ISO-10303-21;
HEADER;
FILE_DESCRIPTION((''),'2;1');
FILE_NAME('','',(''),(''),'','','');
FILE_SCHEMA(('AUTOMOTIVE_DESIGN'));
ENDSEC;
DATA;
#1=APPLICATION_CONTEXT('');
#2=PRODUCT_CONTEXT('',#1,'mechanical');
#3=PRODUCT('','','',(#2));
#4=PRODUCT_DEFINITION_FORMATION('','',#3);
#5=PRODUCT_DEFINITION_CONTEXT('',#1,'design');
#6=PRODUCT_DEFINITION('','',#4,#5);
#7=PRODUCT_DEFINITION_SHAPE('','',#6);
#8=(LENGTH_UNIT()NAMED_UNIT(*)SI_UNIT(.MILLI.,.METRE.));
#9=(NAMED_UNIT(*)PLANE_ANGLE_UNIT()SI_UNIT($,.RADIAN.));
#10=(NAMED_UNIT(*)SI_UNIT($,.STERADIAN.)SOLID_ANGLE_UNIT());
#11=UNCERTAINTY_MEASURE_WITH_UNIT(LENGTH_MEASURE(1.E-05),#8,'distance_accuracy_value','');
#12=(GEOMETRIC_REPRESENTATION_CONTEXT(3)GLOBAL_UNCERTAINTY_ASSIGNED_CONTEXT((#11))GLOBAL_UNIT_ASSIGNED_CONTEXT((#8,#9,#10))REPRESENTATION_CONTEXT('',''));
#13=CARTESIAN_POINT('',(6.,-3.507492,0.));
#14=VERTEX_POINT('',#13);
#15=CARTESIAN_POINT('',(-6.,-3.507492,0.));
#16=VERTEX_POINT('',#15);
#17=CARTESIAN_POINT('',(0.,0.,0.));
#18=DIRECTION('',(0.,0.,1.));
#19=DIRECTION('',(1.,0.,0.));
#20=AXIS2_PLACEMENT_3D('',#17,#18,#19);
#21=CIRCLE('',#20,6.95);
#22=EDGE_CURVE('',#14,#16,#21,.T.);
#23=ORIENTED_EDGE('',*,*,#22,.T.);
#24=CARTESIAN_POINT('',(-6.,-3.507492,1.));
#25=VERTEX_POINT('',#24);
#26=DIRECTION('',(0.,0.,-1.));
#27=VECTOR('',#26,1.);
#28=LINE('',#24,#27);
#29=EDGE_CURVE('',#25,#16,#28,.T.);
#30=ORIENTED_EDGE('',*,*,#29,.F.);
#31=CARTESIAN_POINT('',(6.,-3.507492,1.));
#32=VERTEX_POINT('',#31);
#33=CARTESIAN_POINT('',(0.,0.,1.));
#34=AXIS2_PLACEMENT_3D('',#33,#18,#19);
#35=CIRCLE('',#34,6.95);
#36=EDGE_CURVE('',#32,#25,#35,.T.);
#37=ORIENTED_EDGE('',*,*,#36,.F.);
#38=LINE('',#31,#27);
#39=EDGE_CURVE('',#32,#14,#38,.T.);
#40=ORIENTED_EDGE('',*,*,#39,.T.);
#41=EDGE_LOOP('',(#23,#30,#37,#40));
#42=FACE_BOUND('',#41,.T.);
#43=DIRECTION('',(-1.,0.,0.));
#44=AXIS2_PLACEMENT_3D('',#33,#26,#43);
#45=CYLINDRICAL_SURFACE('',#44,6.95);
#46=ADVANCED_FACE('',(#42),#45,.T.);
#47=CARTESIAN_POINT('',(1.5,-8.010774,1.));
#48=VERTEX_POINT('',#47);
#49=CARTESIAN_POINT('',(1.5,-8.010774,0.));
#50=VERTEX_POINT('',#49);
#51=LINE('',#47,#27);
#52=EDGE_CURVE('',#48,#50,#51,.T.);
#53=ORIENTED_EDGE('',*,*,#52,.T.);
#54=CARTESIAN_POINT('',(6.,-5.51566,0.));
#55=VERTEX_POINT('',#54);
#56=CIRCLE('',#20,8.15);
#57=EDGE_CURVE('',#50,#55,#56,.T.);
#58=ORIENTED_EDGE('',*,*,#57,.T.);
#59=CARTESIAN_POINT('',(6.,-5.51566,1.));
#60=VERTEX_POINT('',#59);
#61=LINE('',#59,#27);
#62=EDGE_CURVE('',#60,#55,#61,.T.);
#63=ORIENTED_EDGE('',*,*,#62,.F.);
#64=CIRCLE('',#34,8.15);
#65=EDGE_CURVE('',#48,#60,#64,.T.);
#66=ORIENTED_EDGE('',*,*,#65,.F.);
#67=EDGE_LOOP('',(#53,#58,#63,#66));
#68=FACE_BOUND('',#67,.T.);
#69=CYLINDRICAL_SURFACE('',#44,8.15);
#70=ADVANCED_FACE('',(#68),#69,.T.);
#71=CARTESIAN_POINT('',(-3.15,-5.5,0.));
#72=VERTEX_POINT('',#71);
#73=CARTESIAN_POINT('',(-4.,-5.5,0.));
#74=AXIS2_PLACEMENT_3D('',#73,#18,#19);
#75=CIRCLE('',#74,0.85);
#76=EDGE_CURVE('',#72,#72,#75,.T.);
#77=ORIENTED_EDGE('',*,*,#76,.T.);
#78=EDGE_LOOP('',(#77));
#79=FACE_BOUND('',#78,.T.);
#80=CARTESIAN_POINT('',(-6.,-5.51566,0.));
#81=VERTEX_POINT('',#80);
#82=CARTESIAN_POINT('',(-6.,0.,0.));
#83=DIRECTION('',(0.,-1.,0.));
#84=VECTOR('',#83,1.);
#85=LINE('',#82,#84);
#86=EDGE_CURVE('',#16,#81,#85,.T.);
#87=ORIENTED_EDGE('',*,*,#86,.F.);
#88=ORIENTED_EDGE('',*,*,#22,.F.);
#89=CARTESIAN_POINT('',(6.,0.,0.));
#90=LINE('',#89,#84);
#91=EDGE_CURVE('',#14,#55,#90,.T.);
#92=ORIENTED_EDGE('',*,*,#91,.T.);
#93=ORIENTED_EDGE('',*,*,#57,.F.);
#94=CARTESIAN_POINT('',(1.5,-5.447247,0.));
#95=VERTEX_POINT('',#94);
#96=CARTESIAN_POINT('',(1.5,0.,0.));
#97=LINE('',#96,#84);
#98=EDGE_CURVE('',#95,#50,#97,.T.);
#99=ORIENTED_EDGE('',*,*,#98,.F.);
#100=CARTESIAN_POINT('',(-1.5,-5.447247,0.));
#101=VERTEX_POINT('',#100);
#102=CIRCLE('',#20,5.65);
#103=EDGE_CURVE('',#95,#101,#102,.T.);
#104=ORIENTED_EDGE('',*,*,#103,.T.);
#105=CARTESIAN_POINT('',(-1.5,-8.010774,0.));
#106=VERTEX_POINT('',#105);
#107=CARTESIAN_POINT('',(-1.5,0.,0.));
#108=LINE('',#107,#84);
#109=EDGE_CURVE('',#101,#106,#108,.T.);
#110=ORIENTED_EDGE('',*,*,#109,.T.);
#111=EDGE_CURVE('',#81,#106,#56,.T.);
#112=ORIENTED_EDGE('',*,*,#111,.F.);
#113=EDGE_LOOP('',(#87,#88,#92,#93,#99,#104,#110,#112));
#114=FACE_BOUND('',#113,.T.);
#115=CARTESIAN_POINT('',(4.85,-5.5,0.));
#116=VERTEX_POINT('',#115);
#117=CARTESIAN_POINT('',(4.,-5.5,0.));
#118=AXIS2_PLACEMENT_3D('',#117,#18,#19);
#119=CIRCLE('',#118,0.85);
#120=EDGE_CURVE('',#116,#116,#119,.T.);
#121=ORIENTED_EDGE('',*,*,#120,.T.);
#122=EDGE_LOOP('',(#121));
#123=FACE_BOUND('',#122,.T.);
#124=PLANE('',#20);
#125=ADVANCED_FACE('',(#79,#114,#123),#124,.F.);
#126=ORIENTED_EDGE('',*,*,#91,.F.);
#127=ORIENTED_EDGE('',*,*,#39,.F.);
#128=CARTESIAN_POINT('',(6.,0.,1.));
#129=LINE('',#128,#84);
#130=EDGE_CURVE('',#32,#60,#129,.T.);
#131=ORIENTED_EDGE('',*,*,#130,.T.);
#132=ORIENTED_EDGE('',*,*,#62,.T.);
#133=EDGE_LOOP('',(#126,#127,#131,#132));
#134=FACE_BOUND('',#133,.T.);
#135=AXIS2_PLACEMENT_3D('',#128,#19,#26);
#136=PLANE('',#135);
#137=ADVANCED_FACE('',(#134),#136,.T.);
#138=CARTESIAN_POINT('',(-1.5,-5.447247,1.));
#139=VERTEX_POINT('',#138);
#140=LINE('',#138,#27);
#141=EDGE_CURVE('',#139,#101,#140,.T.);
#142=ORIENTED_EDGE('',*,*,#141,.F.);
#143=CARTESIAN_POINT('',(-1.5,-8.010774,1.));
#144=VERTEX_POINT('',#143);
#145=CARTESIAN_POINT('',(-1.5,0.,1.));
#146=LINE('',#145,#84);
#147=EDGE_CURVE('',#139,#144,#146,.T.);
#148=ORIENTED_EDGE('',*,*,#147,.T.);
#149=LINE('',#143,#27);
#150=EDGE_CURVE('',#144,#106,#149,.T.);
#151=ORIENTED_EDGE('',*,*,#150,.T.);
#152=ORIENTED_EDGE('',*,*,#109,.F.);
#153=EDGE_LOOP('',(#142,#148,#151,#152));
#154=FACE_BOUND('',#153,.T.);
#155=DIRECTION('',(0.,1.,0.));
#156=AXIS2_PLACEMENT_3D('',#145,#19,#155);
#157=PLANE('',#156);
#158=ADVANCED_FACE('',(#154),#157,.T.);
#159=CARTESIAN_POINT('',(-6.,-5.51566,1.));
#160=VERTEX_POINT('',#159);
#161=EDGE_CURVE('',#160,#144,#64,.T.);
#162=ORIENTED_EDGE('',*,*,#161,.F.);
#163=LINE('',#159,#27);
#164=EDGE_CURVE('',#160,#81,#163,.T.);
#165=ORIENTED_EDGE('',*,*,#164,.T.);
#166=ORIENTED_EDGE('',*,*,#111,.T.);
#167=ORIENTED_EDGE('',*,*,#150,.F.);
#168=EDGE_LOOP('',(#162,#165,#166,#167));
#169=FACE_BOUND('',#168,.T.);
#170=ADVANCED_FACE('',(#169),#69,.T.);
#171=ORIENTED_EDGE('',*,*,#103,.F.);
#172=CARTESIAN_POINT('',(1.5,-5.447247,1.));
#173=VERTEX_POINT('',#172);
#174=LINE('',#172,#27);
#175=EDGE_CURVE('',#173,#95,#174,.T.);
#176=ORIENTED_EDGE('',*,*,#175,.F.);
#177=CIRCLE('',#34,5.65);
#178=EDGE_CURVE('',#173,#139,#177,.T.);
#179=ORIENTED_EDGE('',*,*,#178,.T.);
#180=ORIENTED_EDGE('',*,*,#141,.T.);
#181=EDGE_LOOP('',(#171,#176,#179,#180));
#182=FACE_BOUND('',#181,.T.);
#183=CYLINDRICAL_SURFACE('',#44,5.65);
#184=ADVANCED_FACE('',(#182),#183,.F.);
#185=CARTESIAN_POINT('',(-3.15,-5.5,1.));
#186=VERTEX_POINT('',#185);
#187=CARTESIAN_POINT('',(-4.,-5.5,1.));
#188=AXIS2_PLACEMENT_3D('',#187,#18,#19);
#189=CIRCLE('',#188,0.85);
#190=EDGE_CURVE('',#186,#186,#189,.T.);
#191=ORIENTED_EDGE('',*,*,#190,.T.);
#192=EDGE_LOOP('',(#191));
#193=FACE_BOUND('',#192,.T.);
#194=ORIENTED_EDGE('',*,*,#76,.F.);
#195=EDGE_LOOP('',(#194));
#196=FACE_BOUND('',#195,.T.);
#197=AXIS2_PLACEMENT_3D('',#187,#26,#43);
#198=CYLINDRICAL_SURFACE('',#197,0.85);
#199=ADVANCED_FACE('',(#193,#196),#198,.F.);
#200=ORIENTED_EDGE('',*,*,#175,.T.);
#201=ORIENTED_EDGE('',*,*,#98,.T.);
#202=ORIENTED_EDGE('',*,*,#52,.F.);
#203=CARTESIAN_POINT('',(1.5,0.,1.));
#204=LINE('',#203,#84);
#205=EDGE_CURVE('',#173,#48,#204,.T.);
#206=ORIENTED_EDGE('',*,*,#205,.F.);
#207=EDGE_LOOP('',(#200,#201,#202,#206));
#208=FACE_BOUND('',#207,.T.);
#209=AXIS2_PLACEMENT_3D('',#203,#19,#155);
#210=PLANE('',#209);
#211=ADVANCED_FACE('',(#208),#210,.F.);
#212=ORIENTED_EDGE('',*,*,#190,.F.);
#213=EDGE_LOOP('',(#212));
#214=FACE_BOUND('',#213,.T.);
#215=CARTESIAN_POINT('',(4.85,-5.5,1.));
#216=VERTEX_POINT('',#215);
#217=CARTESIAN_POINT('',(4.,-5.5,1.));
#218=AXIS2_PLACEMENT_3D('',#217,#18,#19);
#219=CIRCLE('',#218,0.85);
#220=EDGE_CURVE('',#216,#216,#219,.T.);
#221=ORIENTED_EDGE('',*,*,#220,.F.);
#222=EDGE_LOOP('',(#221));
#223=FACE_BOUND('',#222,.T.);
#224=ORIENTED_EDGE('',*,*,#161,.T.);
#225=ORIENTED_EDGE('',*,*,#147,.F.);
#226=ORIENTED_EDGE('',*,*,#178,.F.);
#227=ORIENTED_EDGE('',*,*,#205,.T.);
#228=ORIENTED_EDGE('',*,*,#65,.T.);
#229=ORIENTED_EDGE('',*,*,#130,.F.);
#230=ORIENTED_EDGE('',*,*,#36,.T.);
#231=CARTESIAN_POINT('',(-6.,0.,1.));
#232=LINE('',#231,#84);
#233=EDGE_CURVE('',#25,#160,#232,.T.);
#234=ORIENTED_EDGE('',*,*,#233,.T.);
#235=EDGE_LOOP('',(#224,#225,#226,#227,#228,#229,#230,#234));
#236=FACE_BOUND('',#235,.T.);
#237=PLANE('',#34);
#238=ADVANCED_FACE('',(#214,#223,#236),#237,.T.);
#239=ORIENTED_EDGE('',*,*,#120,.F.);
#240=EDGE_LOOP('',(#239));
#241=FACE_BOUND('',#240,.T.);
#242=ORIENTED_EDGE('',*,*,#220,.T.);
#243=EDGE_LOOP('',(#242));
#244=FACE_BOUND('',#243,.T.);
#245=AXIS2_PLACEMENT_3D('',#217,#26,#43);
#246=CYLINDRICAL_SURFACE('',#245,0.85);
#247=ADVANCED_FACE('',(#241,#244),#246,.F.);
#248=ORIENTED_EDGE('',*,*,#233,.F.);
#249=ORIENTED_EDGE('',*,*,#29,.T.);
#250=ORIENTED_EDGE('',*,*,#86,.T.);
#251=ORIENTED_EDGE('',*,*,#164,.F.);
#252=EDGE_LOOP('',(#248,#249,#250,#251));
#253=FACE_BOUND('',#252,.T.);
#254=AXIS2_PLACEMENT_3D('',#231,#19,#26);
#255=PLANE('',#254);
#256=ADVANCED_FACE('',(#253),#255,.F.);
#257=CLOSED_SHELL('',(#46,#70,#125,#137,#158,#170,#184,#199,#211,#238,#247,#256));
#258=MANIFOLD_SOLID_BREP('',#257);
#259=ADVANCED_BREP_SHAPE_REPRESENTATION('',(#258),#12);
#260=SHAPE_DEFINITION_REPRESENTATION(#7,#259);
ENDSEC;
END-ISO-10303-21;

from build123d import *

# Parameters (mm, degrees)
SKETCH_1_R      = 0.85
EXTRUDE_1_DEPTH = 1


with BuildPart() as part:
    # 草图1 → 凸台-拉伸1 (new body)
    with BuildSketch(Plane.XY):
        with BuildLine():
            Line((6, -3.507491981), (6, -5.515659525))
            ThreePointArc((6, -5.515659525), (3.952075284, -7.12766448), (1.5, -8.010773995))
            Line((1.5, -8.010773995), (1.5, -5.447247011))
            ThreePointArc((1.5, -5.447247011), (0, 5.65), (-1.5, -5.447247011))
            Line((-1.5, -5.447247011), (-1.5, -8.010773995))
            ThreePointArc((-1.5, -8.010773995), (-3.952075284, -7.12766448), (-6, -5.515659525))
            Line((-6, -5.515659525), (-6, -3.507491981))
            ThreePointArc((-6, -3.507491981), (0, 6.95), (6, -3.507491981))
        make_face()
        with Locations((4, -5.5)):
            Circle(SKETCH_1_R, mode=Mode.SUBTRACT)
        with Locations((-4, -5.5)):
            Circle(SKETCH_1_R, mode=Mode.SUBTRACT)
    extrude(amount=EXTRUDE_1_DEPTH)


solid = part.part
